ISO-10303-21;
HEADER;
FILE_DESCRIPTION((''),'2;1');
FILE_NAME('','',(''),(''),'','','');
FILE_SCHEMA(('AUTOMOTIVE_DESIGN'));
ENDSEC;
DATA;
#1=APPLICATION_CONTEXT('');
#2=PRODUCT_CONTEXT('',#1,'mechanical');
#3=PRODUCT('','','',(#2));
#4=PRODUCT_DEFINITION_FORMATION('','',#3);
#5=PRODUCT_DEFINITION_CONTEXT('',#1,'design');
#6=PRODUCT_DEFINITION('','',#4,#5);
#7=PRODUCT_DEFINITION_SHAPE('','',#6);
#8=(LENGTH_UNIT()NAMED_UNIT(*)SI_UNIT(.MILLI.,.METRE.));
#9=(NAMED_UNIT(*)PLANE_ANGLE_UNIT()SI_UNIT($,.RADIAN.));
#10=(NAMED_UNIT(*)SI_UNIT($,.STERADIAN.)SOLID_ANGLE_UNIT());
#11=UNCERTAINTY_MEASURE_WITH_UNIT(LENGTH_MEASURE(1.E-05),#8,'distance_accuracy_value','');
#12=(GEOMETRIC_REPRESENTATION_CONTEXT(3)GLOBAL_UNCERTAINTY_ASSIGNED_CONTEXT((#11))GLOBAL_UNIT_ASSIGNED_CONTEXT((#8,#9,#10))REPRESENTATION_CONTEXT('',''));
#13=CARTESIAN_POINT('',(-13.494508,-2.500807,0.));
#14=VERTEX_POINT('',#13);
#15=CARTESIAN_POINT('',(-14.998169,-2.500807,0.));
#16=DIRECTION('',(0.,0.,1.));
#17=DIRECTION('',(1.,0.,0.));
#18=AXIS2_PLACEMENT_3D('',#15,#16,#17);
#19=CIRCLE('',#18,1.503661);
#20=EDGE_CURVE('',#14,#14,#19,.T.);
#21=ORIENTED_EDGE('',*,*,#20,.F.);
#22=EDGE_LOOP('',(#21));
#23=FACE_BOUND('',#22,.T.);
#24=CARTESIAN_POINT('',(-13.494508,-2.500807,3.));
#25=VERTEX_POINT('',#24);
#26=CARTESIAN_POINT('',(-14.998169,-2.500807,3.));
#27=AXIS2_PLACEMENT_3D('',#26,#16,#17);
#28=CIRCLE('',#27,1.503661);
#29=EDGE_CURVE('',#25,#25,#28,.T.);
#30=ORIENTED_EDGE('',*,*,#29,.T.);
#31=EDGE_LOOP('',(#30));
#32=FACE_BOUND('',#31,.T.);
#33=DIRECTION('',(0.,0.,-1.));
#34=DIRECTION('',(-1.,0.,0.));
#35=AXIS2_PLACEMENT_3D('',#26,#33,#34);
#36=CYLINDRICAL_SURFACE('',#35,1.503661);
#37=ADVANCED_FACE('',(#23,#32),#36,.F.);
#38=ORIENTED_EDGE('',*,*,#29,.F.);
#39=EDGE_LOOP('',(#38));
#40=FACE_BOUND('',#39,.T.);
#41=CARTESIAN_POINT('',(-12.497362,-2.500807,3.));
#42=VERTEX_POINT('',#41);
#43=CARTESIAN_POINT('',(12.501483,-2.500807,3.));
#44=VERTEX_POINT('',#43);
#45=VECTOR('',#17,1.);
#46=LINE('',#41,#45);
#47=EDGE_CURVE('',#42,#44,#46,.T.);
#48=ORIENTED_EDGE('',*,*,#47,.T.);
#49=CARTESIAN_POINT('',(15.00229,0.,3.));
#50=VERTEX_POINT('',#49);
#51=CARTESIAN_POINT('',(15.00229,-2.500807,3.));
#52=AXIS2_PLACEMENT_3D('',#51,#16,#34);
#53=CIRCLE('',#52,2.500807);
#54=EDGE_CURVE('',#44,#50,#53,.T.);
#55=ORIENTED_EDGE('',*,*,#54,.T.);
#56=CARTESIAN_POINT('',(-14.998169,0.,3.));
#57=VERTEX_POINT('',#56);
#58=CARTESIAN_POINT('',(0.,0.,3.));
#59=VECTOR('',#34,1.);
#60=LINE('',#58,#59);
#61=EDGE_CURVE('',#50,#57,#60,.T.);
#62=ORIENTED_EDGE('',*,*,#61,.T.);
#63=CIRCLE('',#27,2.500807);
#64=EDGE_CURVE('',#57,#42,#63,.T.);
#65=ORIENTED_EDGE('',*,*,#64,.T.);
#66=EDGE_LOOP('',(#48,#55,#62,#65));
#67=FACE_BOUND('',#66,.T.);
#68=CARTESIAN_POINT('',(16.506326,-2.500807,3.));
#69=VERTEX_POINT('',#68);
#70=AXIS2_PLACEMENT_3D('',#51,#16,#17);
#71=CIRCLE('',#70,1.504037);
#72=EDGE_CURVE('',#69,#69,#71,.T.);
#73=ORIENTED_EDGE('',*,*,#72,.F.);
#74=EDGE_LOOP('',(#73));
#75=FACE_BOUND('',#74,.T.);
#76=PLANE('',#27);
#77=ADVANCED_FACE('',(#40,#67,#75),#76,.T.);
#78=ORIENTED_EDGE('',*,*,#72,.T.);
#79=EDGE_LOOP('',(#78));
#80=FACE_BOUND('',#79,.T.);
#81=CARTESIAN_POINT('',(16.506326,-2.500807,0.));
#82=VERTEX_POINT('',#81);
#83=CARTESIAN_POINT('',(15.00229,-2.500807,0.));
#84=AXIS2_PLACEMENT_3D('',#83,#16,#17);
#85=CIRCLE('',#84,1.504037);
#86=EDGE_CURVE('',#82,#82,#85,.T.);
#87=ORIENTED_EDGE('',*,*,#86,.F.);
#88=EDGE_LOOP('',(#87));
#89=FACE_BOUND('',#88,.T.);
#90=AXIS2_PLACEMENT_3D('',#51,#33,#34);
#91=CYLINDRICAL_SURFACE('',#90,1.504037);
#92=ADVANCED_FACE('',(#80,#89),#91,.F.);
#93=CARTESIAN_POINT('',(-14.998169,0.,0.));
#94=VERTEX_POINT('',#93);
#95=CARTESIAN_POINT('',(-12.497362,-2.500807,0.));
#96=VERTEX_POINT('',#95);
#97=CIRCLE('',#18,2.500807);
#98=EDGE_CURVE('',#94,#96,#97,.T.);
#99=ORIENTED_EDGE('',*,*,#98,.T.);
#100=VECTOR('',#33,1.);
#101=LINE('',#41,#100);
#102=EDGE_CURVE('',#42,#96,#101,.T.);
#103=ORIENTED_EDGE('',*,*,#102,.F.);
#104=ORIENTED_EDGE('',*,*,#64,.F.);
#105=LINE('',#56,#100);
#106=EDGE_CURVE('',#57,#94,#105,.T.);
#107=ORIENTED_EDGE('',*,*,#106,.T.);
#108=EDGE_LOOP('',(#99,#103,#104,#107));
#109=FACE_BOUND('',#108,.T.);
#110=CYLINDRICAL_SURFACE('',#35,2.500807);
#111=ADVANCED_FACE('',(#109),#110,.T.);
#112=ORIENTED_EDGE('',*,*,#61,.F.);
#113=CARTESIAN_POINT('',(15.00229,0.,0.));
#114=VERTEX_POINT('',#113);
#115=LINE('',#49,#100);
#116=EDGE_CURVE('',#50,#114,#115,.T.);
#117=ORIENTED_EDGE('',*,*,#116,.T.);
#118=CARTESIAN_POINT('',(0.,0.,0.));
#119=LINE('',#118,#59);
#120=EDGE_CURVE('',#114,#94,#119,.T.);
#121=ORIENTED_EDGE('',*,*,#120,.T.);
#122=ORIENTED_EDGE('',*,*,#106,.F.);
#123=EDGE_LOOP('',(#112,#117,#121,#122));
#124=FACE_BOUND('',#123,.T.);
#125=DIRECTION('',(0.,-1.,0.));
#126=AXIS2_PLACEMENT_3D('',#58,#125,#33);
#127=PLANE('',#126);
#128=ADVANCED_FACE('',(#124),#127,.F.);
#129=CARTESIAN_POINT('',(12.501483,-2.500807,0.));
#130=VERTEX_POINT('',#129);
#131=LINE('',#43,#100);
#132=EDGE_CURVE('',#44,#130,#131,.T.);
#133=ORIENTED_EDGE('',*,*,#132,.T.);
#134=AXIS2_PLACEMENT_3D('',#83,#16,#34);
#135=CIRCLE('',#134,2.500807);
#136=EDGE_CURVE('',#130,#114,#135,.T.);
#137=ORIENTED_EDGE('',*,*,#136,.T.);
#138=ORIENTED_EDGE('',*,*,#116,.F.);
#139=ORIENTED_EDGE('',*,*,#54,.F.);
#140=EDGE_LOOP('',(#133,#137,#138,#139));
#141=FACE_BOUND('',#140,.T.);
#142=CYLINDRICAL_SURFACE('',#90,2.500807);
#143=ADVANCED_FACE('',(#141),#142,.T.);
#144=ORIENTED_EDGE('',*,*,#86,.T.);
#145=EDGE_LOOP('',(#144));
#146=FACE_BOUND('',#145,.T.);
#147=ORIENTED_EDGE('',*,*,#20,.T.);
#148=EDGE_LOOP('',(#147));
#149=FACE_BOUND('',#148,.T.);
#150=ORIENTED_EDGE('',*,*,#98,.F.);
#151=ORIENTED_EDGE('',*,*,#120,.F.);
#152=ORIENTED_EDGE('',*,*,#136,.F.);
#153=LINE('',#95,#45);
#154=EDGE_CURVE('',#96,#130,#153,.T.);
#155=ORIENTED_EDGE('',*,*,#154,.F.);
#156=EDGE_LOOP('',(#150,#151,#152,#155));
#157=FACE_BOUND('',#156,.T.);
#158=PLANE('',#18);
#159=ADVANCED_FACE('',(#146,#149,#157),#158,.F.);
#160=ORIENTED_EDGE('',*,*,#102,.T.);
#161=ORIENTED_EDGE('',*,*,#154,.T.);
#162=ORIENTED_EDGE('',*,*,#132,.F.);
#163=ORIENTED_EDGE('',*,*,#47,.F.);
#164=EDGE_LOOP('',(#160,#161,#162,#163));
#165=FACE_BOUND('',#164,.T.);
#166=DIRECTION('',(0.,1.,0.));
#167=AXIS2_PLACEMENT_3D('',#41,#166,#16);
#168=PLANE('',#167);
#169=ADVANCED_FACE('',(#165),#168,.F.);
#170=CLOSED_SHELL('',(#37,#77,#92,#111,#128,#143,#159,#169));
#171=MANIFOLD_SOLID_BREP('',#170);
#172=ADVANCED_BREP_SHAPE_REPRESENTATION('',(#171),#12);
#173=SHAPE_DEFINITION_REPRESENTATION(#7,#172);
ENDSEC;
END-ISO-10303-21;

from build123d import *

# Parameters (mm, degrees)
SKETCH_1_R      = 1.503661285
SKETCH_1_R_2    = 1.504036587
EXTRUDE_1_DEPTH = 3


with BuildPart() as part:
    # 草图1 → 凸台-拉伸1 (new body)
    with BuildSketch(Plane.XY):
        with BuildLine():
            Line((0, 0), (15.002289805, 0))
            ThreePointArc((15.002289805, 0), (16.770627342, -4.269144464), (12.501482877, -2.500806927))
            Line((12.501482877, -2.500806927), (-12.497361882, -2.500806927))
            ThreePointArc((-12.497361882, -2.500806927), (-16.766506346, -4.269144464), (-14.998168809, 0))
            Line((-14.998168809, 0), (0, 0))
        make_face()
        with Locations((-14.998168809, -2.500806927)):
            Circle(SKETCH_1_R, mode=Mode.SUBTRACT)
        with Locations((15.002289805, -2.500806927)):
            Circle(SKETCH_1_R_2, mode=Mode.SUBTRACT)
    extrude(amount=EXTRUDE_1_DEPTH)


solid = part.part
